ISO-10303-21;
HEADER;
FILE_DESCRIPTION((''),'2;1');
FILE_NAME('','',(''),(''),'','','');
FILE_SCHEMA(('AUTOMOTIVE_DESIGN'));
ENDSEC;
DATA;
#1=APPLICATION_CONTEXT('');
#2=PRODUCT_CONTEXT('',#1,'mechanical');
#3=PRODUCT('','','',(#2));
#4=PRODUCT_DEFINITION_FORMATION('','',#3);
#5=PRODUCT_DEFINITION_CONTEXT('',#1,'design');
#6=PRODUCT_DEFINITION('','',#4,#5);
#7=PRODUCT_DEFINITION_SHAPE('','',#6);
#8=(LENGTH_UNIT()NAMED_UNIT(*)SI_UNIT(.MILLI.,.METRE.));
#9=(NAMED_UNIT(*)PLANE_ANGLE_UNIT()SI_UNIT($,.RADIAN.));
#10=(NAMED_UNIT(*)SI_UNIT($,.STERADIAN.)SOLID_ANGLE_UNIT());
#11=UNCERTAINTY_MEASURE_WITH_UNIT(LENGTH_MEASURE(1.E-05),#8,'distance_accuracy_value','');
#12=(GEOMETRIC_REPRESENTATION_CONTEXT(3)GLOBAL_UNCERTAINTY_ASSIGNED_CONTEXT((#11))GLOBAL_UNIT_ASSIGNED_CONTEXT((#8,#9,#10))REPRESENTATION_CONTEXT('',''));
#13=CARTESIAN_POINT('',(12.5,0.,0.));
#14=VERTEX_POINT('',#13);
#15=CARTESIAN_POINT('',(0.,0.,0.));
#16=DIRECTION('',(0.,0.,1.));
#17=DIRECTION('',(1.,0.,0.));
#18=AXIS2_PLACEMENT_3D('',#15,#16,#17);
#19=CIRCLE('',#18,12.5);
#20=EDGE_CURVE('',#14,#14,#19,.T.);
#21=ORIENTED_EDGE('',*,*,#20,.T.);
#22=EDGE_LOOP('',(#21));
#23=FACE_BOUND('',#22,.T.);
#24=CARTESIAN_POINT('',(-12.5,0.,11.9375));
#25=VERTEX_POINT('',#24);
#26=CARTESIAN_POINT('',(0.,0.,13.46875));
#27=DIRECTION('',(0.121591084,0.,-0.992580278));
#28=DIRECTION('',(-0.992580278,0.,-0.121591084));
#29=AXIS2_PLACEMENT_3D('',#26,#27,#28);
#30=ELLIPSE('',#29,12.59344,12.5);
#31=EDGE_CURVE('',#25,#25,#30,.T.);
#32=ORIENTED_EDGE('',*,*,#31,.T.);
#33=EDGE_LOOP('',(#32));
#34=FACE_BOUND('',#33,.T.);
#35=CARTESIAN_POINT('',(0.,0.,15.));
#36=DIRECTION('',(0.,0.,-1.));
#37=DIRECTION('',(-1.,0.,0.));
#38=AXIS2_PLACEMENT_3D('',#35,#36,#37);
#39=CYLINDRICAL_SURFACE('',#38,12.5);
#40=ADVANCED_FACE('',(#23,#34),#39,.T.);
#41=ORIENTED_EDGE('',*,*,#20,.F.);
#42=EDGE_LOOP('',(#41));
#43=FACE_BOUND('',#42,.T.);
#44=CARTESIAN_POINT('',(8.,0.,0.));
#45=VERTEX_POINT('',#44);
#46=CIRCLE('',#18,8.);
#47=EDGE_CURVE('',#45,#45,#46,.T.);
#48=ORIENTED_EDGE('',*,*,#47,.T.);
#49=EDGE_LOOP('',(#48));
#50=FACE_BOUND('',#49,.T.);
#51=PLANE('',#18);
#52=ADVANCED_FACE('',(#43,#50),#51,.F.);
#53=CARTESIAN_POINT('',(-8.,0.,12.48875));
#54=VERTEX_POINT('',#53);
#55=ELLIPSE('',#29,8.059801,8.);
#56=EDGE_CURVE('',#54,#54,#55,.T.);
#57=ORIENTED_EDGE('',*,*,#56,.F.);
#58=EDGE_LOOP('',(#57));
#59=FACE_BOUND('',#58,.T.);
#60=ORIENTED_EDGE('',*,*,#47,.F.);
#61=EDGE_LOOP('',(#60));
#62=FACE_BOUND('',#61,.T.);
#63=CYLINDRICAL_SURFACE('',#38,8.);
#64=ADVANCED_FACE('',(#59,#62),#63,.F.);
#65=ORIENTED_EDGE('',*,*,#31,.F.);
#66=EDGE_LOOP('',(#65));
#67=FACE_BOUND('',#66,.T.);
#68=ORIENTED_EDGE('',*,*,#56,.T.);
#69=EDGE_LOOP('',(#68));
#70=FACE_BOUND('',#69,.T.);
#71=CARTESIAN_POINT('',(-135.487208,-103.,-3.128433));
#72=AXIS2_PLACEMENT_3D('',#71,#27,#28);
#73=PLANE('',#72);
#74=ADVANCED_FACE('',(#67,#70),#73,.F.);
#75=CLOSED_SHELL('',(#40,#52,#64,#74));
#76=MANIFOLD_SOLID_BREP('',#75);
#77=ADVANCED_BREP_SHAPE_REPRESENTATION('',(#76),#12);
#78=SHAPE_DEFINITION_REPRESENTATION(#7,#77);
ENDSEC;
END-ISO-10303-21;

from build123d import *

# Parameters (mm, degrees)
SKETCH1_R           = 12.5
SKETCH1_R_2         = 8
BOSS_EXTRUDE1_DEPTH = 15
CUT_EXTRUDE1_DEPTH  = 103


with BuildPart() as part:
    # Sketch1 → Boss-Extrude1 (new body)
    with BuildSketch(Plane.XY):
        Circle(SKETCH1_R)
        Circle(SKETCH1_R_2, mode=Mode.SUBTRACT)
    extrude(amount=BOSS_EXTRUDE1_DEPTH)

    # Sketch2 → Cut-Extrude1 (cut, symmetric)
    with BuildSketch(Plane(origin=(0, 0, 0), x_dir=(1, 0, 0), z_dir=(0, 1, 0))):
        Polygon((-135.487207947, 3.128432974), (64.512792053, -21.371567026), (64.512792053, -148.371567026), (-135.487207947, -172.871567026), align=None)
    extrude(amount=CUT_EXTRUDE1_DEPTH, both=True, mode=Mode.SUBTRACT)


solid = part.part
